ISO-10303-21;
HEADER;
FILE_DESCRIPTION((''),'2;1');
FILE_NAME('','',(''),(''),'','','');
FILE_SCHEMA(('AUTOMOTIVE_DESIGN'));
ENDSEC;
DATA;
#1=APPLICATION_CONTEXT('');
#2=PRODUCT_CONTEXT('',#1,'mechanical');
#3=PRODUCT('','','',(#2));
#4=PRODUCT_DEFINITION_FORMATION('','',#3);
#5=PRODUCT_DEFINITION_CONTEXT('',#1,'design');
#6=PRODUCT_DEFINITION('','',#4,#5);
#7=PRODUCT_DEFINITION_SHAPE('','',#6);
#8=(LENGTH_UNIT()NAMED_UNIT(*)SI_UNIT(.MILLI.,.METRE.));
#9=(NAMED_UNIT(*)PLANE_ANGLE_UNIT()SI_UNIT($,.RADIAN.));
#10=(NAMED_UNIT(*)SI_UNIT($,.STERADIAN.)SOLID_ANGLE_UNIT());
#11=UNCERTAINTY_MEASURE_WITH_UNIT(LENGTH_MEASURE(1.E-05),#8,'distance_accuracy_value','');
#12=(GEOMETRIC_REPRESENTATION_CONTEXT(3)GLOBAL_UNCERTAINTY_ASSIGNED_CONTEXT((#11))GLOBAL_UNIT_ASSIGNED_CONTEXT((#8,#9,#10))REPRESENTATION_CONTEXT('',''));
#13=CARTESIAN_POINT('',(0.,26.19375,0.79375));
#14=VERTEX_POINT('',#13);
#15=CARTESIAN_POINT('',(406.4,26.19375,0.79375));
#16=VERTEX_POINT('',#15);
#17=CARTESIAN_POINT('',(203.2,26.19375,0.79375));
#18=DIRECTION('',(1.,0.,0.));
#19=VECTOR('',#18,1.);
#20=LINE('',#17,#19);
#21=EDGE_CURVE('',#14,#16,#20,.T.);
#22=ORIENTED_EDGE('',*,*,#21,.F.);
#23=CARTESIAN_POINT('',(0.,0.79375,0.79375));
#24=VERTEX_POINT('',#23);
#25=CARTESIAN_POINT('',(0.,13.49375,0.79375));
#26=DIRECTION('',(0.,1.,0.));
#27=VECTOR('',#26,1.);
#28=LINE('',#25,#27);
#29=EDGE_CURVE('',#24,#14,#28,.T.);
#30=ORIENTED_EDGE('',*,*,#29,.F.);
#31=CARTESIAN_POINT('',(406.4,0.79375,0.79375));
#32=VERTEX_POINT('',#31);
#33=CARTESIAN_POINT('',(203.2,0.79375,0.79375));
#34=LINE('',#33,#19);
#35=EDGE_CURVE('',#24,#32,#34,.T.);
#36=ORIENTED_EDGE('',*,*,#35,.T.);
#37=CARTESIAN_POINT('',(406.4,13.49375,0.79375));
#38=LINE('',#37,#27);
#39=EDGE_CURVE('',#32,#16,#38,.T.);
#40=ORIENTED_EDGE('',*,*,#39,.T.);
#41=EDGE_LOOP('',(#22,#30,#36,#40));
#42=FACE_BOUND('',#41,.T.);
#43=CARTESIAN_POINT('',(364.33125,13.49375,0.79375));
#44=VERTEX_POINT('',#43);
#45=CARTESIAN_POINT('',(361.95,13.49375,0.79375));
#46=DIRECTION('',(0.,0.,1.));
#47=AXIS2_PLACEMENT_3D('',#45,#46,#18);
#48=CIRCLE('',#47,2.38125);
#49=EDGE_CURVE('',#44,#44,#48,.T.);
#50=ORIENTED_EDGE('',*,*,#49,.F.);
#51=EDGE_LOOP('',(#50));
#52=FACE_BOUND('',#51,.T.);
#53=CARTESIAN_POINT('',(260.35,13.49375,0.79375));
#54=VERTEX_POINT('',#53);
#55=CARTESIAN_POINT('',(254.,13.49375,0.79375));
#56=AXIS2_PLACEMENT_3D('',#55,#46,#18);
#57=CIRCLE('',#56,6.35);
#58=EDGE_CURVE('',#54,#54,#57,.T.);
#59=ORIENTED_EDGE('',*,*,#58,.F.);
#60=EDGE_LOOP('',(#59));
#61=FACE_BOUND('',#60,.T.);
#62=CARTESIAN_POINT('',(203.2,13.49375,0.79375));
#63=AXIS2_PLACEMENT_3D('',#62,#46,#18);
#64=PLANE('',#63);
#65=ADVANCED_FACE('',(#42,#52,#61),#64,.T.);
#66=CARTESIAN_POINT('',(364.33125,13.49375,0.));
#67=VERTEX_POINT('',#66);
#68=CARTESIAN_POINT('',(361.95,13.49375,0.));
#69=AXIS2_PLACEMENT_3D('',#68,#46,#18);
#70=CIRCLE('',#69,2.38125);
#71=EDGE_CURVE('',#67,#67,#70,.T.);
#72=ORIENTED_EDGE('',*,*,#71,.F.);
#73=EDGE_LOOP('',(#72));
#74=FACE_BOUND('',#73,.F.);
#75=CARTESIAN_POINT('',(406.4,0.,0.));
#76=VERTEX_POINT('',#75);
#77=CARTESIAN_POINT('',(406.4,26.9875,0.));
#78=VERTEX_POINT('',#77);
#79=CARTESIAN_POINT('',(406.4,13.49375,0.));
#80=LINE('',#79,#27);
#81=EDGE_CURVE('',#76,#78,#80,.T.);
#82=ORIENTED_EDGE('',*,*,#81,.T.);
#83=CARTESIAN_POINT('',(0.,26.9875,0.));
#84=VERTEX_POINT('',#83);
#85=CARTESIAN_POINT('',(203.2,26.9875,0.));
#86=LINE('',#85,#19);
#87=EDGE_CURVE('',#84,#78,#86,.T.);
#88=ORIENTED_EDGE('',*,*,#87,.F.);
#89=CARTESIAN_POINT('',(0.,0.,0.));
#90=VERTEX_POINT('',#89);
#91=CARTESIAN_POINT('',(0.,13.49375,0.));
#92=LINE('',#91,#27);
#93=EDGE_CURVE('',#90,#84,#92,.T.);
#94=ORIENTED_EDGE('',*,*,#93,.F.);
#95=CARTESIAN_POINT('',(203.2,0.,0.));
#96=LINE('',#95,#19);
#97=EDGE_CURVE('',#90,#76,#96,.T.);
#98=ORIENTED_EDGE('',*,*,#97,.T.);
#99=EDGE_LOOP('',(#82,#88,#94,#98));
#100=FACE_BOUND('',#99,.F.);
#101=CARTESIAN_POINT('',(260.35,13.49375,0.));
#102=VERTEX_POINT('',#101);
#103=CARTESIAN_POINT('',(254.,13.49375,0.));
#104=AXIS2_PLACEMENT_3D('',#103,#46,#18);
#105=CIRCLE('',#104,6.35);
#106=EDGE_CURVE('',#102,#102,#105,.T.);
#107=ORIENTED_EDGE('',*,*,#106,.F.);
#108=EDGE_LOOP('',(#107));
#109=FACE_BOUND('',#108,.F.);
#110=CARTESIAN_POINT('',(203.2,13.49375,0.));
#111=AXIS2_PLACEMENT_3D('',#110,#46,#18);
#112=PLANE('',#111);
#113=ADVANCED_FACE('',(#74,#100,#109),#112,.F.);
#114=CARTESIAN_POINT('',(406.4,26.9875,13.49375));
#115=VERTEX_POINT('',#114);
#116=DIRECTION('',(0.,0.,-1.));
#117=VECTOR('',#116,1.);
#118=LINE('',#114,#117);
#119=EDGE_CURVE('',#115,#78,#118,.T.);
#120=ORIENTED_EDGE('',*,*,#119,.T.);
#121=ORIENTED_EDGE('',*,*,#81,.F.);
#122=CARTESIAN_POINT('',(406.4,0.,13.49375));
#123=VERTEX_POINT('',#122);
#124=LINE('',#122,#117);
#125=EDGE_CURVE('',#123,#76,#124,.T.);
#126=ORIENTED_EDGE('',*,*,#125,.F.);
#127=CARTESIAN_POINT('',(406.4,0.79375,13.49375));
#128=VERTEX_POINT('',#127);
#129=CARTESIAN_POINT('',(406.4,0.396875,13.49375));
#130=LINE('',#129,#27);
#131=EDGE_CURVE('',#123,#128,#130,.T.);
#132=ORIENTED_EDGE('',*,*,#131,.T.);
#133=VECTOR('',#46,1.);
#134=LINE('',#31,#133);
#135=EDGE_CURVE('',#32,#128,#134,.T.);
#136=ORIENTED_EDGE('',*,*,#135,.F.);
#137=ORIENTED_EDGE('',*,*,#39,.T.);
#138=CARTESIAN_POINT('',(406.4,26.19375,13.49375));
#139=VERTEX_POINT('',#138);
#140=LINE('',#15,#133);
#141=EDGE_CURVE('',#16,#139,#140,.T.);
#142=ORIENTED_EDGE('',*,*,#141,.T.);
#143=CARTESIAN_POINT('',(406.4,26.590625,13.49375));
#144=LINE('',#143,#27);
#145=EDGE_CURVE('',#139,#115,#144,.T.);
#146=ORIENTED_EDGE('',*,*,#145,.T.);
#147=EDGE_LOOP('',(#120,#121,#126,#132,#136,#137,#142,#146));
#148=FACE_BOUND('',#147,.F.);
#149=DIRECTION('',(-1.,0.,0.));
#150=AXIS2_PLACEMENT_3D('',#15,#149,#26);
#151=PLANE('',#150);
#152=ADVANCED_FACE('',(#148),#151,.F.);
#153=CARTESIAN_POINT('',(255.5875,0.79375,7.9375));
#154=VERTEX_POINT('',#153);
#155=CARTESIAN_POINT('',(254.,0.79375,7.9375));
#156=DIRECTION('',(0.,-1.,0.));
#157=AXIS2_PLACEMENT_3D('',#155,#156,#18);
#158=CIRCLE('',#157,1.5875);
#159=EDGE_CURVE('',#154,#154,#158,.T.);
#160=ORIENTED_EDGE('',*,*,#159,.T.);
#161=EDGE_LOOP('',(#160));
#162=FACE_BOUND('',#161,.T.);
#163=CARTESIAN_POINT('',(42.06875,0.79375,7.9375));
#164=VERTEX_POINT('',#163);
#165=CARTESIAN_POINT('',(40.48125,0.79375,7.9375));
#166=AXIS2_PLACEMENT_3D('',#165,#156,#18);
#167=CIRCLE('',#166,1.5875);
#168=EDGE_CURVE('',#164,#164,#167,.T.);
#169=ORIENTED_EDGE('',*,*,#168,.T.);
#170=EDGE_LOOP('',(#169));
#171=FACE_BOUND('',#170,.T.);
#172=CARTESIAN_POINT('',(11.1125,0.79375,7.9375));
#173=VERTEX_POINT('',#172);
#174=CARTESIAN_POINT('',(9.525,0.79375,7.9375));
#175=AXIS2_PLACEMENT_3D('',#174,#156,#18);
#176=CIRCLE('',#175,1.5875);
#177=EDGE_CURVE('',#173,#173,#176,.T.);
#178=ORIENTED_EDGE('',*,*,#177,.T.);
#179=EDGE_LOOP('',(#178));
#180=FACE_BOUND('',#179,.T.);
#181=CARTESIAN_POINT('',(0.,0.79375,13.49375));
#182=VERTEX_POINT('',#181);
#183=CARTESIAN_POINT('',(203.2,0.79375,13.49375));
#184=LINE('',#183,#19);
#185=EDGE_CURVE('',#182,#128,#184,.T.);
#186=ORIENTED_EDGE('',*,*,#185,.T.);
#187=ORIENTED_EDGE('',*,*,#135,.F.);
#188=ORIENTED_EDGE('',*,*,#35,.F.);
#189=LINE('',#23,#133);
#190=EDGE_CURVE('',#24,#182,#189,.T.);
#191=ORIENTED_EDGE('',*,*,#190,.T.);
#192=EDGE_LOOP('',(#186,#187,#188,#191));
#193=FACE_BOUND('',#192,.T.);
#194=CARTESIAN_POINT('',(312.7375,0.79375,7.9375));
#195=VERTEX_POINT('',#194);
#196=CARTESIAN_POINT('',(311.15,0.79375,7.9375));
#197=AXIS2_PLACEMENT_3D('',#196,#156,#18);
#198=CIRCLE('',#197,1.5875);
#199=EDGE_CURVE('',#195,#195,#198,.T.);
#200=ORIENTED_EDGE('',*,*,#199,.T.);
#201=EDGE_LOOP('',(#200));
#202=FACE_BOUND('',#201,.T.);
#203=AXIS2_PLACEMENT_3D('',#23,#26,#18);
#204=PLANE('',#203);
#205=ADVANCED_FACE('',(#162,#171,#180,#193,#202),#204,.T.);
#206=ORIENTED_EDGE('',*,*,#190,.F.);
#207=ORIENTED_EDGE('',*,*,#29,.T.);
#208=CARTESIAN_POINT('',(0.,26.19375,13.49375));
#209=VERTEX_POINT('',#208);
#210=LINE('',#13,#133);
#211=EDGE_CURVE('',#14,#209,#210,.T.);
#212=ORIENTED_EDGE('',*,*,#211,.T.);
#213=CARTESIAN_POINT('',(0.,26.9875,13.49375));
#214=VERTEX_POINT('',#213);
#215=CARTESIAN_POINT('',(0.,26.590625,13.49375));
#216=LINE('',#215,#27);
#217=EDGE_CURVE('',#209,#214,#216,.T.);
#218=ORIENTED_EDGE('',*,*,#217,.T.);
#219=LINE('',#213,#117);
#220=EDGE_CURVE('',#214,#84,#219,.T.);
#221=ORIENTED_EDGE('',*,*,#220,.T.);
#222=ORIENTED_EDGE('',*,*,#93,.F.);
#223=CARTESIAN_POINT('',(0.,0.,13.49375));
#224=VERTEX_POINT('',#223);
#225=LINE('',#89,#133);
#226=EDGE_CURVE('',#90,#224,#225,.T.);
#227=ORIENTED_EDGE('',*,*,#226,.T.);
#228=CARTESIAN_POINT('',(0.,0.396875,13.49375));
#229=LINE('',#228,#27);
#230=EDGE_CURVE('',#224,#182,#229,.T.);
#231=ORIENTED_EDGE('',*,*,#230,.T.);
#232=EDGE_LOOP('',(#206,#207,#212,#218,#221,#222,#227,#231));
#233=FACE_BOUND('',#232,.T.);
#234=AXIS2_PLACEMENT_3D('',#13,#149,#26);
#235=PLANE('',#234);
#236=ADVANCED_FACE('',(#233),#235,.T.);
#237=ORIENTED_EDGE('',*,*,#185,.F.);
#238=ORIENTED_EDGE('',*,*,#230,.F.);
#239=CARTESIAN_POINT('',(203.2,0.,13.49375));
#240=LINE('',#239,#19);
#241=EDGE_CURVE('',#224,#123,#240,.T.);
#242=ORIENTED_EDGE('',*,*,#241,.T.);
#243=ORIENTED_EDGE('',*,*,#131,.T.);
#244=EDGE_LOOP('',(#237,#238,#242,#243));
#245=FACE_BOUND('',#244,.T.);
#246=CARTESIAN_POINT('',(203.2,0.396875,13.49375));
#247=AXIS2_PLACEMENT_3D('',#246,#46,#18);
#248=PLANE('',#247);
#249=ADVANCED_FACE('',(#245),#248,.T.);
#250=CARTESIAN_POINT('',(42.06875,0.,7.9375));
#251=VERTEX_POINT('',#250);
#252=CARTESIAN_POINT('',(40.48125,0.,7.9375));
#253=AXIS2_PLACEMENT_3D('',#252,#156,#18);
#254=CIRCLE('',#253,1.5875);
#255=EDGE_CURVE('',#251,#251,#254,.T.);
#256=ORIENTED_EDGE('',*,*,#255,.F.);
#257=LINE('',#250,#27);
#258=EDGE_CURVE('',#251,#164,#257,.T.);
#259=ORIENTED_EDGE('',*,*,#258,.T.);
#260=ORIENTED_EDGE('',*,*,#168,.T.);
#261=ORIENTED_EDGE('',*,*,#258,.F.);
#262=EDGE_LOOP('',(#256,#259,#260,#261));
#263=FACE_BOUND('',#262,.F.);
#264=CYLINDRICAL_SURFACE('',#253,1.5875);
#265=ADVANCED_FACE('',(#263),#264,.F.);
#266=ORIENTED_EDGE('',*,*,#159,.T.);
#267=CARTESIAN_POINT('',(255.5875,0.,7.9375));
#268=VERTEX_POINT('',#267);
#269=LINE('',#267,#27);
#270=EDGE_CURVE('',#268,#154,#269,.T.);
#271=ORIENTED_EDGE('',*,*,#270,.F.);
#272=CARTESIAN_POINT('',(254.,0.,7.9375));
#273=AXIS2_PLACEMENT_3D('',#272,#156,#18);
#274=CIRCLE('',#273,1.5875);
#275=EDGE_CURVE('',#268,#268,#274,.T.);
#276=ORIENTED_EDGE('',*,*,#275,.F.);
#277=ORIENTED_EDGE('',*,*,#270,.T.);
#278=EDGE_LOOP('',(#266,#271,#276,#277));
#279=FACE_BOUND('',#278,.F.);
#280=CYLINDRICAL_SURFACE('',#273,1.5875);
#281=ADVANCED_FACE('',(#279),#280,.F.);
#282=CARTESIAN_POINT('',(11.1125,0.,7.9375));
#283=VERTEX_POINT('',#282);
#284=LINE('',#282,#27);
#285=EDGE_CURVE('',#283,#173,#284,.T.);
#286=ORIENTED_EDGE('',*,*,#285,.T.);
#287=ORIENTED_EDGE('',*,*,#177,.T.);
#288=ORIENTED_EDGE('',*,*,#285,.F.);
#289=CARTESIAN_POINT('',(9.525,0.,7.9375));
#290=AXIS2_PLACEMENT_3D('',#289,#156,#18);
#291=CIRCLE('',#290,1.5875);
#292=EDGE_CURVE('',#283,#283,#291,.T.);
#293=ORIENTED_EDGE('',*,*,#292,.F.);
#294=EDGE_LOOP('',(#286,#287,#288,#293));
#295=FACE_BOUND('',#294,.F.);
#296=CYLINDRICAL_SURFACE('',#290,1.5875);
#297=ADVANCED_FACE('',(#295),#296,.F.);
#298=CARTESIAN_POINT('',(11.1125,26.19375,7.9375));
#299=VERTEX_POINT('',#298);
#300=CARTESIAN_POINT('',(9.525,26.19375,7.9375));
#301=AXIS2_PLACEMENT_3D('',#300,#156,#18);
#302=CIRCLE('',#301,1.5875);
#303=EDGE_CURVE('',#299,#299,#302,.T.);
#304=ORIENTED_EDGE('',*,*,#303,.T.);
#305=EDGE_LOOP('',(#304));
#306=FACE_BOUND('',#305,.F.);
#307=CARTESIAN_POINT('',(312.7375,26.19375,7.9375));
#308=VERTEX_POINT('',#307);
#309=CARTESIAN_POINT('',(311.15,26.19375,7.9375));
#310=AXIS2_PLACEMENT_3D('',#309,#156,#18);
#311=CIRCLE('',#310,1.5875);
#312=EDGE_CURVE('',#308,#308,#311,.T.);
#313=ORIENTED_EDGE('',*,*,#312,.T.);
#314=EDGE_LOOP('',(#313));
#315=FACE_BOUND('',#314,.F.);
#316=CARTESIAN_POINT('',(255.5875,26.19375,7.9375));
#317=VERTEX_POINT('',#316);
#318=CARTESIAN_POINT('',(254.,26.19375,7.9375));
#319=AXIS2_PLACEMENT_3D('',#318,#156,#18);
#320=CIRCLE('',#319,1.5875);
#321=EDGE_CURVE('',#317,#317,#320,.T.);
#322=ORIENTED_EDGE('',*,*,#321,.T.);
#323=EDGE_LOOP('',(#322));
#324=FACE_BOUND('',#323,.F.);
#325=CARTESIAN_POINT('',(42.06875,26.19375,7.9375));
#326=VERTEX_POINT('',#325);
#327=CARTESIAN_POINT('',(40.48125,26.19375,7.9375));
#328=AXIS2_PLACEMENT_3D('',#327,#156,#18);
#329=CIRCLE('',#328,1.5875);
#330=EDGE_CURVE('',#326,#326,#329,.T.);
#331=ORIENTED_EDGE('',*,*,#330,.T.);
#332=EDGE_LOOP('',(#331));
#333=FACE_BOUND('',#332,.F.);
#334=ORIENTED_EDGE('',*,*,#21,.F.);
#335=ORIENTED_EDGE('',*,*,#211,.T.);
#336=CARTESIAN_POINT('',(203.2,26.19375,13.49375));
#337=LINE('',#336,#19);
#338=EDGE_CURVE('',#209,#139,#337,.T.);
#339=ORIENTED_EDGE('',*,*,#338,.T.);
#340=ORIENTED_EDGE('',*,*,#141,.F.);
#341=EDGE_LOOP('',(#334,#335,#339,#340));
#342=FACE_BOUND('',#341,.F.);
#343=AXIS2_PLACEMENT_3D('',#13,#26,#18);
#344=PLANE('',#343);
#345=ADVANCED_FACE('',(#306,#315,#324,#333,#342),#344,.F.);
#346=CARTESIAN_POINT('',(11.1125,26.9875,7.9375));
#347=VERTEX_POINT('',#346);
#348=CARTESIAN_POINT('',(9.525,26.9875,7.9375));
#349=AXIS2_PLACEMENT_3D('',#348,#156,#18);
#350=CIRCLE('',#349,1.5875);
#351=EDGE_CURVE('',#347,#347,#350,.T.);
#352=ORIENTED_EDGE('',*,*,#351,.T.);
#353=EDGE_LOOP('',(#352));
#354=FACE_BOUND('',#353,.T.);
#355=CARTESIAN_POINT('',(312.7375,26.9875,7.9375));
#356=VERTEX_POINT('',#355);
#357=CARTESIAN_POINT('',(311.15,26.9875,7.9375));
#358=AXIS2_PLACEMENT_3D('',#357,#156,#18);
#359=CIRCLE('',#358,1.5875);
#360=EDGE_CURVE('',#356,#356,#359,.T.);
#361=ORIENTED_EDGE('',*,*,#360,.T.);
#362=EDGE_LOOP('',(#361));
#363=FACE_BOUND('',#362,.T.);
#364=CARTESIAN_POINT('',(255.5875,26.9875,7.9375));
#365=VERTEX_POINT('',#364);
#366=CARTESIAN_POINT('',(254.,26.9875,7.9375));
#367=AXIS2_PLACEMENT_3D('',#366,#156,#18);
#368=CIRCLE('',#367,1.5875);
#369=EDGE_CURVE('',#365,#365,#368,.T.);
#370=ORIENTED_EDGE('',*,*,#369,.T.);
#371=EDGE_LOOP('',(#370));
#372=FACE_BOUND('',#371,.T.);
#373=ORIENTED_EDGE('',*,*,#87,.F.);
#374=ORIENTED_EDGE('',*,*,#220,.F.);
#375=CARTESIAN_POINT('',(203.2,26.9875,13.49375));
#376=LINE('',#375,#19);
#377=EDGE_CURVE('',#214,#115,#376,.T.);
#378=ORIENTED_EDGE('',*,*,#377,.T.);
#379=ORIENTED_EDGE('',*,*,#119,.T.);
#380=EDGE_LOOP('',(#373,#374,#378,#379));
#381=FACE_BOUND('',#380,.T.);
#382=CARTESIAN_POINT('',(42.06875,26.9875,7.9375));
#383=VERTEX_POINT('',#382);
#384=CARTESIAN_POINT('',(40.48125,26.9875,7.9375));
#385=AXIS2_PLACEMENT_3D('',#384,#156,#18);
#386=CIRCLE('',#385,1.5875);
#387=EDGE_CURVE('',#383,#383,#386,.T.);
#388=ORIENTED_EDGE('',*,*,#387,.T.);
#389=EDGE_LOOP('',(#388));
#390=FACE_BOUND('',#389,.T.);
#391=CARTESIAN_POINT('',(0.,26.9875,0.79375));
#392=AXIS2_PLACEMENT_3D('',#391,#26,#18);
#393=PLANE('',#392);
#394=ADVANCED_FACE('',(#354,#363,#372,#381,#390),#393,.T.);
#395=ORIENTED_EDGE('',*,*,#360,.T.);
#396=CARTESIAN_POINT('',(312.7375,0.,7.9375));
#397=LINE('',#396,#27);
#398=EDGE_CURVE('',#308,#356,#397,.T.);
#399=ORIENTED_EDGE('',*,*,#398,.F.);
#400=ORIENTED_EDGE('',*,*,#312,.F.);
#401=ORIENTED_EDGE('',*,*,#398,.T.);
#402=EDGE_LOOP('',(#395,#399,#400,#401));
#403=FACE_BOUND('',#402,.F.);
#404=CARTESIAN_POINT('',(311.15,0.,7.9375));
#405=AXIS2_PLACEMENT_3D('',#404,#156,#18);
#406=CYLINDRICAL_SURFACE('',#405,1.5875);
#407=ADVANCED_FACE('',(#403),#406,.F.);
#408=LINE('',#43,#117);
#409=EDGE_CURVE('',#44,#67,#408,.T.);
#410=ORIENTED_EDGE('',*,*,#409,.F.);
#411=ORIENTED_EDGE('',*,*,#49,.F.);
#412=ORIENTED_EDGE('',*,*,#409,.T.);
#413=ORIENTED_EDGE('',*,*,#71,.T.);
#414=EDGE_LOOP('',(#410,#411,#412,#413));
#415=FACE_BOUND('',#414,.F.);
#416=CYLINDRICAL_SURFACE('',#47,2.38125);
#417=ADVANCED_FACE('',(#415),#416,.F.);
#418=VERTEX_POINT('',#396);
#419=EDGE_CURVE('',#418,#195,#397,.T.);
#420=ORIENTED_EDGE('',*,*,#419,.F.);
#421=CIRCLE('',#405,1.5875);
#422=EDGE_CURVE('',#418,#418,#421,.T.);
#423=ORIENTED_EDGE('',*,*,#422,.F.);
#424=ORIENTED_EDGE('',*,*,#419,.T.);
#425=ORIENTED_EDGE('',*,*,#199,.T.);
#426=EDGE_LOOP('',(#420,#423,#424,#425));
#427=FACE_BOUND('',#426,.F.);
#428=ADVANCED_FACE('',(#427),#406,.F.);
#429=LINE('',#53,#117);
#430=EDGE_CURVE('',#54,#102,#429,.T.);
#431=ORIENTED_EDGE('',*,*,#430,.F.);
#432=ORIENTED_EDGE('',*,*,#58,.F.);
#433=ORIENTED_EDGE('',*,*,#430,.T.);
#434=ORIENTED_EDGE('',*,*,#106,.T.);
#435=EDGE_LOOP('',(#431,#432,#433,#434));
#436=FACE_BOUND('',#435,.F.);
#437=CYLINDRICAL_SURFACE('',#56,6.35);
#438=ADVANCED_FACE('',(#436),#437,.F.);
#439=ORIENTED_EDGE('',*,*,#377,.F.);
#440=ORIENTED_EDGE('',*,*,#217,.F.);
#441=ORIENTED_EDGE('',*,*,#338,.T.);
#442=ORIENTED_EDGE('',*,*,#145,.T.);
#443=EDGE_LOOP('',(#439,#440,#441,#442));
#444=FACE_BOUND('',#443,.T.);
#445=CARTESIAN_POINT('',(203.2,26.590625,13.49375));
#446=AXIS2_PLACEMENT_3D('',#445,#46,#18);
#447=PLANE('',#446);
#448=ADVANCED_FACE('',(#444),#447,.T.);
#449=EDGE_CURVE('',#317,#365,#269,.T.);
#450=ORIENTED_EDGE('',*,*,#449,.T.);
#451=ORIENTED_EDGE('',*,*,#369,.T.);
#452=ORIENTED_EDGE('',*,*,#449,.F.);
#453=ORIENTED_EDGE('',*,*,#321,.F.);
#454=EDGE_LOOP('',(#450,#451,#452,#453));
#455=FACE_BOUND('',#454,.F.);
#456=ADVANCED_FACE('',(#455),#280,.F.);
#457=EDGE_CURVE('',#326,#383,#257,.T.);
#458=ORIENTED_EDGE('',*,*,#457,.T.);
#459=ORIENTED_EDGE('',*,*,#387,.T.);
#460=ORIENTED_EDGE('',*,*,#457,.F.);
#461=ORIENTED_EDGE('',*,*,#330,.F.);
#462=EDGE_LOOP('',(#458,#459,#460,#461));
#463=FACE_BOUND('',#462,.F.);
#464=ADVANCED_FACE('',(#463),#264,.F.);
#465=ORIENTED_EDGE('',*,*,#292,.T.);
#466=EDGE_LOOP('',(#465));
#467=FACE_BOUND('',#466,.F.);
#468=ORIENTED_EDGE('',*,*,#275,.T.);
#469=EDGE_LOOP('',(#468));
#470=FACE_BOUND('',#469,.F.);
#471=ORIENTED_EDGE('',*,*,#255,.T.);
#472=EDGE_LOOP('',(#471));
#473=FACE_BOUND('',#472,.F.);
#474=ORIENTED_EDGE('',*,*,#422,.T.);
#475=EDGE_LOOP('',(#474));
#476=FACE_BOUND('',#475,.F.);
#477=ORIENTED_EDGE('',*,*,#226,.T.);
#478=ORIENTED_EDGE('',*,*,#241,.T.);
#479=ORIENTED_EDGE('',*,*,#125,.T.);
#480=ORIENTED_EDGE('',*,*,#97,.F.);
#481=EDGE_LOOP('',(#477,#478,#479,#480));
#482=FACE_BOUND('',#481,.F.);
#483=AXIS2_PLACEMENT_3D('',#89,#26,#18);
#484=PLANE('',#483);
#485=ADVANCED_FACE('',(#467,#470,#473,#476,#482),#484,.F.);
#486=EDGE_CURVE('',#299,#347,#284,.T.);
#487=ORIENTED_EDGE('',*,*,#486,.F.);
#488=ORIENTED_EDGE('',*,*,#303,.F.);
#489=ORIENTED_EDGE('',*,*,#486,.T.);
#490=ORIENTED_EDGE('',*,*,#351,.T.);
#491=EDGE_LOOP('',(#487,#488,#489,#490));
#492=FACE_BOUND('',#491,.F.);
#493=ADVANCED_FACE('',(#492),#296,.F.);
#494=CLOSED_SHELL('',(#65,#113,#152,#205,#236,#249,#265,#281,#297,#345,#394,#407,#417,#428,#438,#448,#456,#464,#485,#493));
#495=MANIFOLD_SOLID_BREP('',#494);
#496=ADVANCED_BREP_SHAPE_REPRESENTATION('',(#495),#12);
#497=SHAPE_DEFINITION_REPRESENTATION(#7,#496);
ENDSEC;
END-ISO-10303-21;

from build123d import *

# Parameters (mm, degrees)
F0_W     = 406.4
F0_H     = 26.9875
F1_DEPTH = 0.79375
F2_W     = 406.4
F2_H     = 0.79375
F3_DEPTH = 12.7
F4_R     = 1.5875
F5_DEPTH = 26.9885
F6_R     = 6.35
F6_R_2   = 2.38125
F7_DEPTH = 25.4


with BuildPart() as f1:
    # F0 (on Top) → F1 (new body)
    with BuildSketch(Plane.XY):
        with Locations((203.2, 13.49375)):
            Rectangle(F0_W, F0_H)
    extrude(amount=F1_DEPTH)

    # F2 (on face) → F3 (join)
    with BuildSketch(Plane.XY.offset(0.79375)):
        with Locations((203.2, 26.590625)):
            Rectangle(F2_W, F2_H)
        with Locations((203.2, 0.396875)):
            Rectangle(F2_W, F2_H)
    extrude(amount=F3_DEPTH)

    # F4 (on face) → F5 (cut, through all)
    with BuildSketch(Plane.XZ):
        with Locations((311.15, 7.9375)):
            Circle(F4_R)
        with Locations((254, 7.9375)):
            Circle(F4_R)
        with Locations((40.48125, 7.9375)):
            Circle(F4_R)
        with Locations((9.525, 7.9375)):
            Circle(F4_R)
    extrude(amount=-F5_DEPTH, mode=Mode.SUBTRACT)

    # F6 (on face) → F7 (cut)
    with BuildSketch(Plane.XY.offset(0.79375)):
        with Locations((254, 13.49375)):
            Circle(F6_R)
        with Locations((361.95, 13.49375)):
            Circle(F6_R_2)
    extrude(amount=-F7_DEPTH, mode=Mode.SUBTRACT)


solid = f1.part
